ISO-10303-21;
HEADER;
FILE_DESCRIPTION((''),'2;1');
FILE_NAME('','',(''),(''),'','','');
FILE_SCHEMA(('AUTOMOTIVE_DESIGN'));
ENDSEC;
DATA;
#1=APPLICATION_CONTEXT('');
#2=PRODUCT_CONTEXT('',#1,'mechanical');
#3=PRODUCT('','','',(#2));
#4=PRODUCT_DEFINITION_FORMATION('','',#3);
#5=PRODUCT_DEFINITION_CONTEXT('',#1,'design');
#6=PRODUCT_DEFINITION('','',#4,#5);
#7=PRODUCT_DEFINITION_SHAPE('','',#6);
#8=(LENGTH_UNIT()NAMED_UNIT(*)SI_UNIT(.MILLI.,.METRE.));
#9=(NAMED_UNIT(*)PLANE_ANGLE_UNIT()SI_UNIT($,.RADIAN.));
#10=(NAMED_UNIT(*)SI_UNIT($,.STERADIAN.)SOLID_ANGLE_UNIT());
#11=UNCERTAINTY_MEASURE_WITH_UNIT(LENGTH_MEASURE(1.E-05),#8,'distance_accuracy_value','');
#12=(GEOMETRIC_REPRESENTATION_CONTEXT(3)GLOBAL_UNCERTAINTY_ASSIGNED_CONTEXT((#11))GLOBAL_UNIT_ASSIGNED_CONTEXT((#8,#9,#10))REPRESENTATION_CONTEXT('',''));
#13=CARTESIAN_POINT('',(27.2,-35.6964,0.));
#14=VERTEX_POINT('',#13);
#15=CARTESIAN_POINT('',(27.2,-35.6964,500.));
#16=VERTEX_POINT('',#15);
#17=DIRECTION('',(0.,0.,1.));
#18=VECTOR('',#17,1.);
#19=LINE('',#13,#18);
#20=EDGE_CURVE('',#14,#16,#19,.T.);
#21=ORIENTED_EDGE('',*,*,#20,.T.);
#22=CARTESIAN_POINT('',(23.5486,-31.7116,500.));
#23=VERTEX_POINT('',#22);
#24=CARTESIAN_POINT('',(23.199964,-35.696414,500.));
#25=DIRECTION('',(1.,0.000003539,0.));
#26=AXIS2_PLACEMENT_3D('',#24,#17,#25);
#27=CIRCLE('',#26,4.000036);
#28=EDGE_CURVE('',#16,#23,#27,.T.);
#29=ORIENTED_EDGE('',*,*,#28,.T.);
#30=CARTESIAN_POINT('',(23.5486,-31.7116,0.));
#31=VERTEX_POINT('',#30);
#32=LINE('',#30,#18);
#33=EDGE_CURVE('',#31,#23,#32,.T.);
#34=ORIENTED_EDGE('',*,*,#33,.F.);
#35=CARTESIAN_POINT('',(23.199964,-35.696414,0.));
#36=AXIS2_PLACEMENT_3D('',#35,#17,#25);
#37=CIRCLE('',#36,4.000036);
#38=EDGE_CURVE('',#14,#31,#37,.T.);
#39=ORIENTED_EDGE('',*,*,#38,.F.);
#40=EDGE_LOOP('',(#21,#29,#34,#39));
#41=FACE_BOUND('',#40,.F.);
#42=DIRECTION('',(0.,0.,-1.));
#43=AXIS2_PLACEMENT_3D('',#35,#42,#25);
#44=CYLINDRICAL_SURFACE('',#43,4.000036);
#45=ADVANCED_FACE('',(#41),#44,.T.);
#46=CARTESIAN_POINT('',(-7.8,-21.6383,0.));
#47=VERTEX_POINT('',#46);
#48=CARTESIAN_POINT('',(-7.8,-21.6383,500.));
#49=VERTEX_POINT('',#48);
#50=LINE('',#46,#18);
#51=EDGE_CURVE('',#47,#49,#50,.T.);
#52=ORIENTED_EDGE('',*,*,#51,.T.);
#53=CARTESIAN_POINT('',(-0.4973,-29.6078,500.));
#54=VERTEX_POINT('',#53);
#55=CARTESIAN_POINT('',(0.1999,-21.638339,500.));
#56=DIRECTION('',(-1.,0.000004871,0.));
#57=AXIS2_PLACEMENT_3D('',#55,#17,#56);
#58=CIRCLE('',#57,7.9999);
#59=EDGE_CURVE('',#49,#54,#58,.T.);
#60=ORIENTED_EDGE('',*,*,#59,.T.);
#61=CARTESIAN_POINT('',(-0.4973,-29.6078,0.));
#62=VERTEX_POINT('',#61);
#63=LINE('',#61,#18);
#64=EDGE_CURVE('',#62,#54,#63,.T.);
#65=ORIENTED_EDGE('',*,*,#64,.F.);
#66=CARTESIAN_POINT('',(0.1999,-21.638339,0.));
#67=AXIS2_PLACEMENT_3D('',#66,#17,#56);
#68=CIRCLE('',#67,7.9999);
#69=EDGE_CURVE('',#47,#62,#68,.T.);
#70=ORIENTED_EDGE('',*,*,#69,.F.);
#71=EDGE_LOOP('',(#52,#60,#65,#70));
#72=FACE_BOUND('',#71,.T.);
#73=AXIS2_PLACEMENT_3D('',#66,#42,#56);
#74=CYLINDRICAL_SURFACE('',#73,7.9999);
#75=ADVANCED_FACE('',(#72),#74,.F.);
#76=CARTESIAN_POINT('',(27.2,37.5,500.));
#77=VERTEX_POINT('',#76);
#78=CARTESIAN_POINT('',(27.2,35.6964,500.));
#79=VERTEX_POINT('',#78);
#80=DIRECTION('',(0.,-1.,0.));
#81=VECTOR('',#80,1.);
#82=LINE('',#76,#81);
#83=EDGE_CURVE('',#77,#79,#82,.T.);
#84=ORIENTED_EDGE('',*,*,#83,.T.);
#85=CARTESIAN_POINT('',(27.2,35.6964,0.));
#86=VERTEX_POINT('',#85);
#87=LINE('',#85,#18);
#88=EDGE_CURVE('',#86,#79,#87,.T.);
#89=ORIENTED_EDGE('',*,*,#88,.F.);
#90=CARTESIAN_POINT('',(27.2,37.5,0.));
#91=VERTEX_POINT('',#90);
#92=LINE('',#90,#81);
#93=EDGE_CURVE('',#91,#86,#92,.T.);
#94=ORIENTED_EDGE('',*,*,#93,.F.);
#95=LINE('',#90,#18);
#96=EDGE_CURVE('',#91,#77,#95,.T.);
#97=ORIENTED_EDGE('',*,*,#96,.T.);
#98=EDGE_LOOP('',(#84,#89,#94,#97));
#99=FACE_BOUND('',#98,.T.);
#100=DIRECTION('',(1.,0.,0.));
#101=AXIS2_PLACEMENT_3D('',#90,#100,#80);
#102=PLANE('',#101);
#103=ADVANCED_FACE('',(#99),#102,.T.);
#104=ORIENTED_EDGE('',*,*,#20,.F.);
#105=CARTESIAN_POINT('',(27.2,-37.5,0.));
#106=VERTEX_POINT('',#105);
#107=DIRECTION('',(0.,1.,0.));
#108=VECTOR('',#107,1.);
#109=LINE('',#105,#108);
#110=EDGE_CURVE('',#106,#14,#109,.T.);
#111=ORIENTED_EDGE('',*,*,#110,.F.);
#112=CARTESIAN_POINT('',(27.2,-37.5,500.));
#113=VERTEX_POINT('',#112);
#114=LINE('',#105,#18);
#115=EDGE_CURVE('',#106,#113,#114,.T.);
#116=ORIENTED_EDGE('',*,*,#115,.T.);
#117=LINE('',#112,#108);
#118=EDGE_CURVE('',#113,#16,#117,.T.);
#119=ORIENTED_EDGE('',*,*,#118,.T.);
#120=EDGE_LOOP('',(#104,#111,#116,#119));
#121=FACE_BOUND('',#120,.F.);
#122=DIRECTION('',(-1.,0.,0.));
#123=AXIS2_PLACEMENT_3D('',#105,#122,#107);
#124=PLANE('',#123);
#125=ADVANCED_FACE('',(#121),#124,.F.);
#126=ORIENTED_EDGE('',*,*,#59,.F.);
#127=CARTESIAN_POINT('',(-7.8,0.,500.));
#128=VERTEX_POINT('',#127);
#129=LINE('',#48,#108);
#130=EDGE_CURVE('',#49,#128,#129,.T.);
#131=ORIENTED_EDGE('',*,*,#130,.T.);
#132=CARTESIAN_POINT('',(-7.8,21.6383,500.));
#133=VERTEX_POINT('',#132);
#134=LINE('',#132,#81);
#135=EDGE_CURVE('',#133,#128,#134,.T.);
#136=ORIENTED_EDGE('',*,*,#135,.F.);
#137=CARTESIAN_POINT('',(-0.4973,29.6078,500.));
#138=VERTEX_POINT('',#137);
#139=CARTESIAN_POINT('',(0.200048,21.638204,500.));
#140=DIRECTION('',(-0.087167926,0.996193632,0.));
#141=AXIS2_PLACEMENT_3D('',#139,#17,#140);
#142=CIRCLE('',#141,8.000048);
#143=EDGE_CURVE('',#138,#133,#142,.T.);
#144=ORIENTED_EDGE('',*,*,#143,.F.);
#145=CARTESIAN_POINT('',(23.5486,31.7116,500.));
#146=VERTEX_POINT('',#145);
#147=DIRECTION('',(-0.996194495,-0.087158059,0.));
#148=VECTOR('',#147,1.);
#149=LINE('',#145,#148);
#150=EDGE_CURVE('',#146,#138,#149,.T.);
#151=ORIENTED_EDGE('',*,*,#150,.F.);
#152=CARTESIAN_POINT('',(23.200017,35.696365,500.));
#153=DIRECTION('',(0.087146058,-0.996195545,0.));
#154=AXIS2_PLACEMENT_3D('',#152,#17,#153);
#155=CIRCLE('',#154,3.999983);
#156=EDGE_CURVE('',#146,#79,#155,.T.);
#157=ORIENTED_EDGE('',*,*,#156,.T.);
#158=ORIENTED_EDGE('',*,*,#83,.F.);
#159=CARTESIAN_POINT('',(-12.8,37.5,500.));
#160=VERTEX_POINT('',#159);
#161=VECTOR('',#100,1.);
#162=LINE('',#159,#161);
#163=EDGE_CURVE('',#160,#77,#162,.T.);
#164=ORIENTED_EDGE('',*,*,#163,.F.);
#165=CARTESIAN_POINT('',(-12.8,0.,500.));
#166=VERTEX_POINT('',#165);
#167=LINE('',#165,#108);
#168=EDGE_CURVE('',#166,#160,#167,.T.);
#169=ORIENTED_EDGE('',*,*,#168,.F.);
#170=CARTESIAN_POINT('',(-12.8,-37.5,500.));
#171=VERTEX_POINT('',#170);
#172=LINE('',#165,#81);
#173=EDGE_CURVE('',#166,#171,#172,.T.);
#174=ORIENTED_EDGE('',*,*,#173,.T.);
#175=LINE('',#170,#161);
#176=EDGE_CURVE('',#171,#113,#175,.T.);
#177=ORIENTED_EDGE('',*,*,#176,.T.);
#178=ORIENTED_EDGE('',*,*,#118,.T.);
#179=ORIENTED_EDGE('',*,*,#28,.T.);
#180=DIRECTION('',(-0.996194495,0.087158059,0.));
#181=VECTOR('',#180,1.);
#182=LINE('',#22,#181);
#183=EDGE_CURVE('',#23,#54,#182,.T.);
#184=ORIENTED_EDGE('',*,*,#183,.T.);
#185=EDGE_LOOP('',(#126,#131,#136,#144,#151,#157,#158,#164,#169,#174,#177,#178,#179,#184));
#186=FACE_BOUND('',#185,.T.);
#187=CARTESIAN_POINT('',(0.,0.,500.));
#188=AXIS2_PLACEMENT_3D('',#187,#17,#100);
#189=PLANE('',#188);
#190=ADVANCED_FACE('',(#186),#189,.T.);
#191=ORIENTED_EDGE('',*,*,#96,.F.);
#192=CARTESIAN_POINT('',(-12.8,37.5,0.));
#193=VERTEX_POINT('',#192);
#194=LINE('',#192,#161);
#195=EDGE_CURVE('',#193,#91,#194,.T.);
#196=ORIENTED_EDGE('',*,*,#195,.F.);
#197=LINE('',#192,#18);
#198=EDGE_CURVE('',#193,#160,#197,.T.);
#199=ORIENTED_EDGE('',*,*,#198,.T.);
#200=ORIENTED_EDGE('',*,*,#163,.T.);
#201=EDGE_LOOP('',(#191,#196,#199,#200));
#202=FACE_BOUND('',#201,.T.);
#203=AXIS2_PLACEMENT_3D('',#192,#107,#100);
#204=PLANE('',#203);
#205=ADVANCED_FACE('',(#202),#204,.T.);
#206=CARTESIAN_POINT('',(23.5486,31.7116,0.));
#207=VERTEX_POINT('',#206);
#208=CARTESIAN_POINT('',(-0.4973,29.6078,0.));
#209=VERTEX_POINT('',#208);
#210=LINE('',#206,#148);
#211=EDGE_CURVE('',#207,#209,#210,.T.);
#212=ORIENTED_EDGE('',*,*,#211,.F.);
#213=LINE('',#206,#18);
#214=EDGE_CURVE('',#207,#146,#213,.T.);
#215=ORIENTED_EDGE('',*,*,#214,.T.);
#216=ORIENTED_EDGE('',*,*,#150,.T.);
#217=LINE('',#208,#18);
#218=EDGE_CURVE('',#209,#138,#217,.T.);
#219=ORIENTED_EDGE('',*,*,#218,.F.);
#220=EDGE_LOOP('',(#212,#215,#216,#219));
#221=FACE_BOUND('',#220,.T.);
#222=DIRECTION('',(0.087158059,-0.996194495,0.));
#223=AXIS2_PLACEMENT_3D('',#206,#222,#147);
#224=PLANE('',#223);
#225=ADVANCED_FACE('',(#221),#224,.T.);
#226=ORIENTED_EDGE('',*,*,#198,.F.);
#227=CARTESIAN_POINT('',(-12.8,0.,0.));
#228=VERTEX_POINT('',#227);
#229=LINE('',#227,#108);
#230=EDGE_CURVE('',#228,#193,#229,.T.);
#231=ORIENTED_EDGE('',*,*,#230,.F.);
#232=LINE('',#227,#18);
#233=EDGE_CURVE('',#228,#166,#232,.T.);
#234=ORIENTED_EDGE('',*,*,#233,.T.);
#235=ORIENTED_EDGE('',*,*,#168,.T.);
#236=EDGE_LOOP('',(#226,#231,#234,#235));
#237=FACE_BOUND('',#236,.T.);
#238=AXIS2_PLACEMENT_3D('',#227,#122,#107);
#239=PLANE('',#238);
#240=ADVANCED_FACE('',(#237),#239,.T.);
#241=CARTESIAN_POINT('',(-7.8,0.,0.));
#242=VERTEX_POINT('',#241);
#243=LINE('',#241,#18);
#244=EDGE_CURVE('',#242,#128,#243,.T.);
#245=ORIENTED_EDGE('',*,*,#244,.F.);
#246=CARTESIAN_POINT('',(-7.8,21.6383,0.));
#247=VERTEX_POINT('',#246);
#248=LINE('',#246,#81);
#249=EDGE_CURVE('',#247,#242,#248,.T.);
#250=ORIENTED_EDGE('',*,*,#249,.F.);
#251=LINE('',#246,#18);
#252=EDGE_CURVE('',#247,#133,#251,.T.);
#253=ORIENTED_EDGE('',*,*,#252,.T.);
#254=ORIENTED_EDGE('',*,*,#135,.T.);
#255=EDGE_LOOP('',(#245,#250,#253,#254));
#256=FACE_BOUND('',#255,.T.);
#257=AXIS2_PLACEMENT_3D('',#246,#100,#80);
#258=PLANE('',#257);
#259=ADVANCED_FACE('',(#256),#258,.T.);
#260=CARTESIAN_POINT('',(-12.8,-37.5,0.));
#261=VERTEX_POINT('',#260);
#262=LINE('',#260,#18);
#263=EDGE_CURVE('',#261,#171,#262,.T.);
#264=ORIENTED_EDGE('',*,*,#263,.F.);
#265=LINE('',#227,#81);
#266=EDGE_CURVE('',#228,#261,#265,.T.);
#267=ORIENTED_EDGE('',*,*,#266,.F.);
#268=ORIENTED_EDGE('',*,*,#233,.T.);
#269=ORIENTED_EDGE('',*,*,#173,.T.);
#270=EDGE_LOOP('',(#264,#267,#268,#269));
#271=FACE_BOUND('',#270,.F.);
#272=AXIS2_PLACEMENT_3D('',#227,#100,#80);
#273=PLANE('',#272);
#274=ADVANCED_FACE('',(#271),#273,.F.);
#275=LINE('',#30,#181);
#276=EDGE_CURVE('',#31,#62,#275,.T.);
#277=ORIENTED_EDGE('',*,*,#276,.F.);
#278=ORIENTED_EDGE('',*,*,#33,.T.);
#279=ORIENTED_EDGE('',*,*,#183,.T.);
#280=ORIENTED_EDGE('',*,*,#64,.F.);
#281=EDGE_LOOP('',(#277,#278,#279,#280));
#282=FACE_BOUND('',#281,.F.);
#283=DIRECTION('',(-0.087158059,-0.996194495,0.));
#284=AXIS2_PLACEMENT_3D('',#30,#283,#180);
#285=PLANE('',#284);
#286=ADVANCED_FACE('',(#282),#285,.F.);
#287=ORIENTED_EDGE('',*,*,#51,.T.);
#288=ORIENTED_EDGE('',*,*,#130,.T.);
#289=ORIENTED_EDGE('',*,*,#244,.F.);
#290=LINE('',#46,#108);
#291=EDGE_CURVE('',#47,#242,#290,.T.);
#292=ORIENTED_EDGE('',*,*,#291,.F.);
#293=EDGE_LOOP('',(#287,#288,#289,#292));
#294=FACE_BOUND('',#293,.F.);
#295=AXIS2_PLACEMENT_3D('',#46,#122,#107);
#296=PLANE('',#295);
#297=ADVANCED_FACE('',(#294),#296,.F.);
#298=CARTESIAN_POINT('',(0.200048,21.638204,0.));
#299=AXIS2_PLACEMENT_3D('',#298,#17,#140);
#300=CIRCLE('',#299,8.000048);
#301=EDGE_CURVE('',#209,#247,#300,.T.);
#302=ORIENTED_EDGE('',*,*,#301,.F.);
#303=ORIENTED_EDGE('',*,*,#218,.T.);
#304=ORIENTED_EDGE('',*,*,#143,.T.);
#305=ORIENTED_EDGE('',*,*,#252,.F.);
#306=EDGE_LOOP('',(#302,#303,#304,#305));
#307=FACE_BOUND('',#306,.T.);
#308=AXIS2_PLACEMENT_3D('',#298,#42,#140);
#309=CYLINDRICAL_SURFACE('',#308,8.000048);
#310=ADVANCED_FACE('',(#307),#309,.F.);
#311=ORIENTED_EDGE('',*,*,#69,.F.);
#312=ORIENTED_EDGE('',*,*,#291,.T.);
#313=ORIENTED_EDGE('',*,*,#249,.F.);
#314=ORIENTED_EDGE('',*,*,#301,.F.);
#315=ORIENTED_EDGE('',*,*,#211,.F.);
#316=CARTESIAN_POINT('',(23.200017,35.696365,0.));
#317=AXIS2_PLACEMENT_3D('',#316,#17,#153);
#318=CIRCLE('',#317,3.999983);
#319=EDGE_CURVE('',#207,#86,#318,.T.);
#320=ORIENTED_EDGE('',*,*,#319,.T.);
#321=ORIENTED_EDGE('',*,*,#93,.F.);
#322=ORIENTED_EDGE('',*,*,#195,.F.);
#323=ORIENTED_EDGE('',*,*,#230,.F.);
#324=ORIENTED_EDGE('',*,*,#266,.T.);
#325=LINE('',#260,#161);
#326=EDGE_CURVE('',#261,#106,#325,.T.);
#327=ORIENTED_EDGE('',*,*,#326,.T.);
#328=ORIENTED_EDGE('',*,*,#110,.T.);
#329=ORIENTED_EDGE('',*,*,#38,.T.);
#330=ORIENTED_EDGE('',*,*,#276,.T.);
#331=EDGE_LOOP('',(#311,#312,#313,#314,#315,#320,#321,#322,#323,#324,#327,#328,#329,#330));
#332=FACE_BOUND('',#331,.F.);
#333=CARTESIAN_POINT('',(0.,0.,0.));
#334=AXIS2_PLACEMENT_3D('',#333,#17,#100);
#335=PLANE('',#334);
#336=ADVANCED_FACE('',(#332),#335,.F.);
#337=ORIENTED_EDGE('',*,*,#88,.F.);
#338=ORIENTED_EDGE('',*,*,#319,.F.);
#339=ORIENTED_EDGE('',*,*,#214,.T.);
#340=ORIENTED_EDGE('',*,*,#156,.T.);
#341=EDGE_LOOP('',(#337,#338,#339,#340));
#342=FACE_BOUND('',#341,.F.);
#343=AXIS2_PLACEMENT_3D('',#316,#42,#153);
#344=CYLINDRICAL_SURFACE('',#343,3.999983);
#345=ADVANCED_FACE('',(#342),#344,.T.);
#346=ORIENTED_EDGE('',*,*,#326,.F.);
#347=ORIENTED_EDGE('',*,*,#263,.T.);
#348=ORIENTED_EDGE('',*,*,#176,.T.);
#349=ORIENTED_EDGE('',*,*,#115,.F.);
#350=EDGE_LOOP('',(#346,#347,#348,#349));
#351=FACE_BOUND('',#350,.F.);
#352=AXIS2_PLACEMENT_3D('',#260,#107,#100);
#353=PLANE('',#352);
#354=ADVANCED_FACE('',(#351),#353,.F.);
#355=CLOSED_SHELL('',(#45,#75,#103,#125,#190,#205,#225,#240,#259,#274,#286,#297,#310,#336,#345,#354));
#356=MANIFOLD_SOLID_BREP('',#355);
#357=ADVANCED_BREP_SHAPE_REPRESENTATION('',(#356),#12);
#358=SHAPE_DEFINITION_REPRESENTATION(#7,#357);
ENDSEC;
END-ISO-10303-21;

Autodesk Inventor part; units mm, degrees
ref_plane "YZ Plane" through (0, 0, 0) normal (1, 0, 0) x (0, 1, 0)
ref_plane "開始平面" through (0, 0, 0) normal (0, 0, 1) x (1, 0, 0)
ref_plane "終了平面" through (0, 0, 500) normal (0, 0, 1) x (1, 0, 0)
sketch "スケッチ" plane through (0, 0, 0) normal (0, 0, 1) x (1, 0, 0)
  line L0 (-12.8, 0) -> (-12.8, 37.5)
  line L1 (-12.8, 37.5) -> (27.2, 37.5)
  line L2 (27.2, 37.5) -> (27.2, 35.6964)
  line L3 (23.5486, 31.7116) -> (-0.4973, 29.6078)
  line L4 (-7.8, 21.6383) -> (-7.8, 0)
  line L5 (-7.8, 0) -> (-12.8, 0) construction
  line L6 (9.7, 37.5) -> (9.7, 30.5) construction
  line L7 (27.2, 32.0311) -> (27.2, 30.5) construction
  line L8 (27.2, 30.5) -> (9.7, 30.5) construction
  line L9 (0, 15) -> (0, -27) construction
  line L10 (-5.539, 0) -> (16.0067, 0) construction
  line L11 (-12.8, 0) -> (-12.8, -37.5)
  line L12 (-12.8, -37.5) -> (27.2, -37.5)
  line L13 (27.2, -37.5) -> (27.2, -35.6964)
  line L14 (23.5486, -31.7116) -> (-0.4973, -29.6078)
  line L15 (-7.8, -21.6383) -> (-7.8, 0)
  arc A0 (-0.4973, 29.6078) -> (-7.8, 21.6383) centre (0.2, 21.6383) ccw
  arc A1 (-7.8, -21.6383) -> (-0.4973, -29.6078) centre (0.2, -21.6383) ccw
  arc A2 (23.5486, 31.7116) -> (27.2, 35.6964) centre (23.2, 35.6964) ccw
  arc A3 (27.2, -35.6964) -> (23.5486, -31.7116) centre (23.2, -35.6964) ccw
  line L16 (0, 52.5) -> (0, -52.5) construction
  line L17 (-20.955, 0) -> (36.1298, 0) construction
  point P0 (-7.8, 28.9689)
  point P1 (27.2, -32.0311)
  point P2 (-7.8, -28.9689)
  point P3 (9.7, -37.5)
  point P4 (9.7, -30.5)
  dimension "d0" = 5
  dimension "d1" = 37.5
  dimension "d2" = 40
  dimension "d3" = 7
  dimension "d4" = 17.5
  dimension "d5" = 1.5311
  dimension "d23" = 8
  dimension "d24" = 4
  dimension "d25" = 12.8
extrude "ボディ" add sketch "スケッチ" along normal up to surface (500 mm away) from surface at 0
sketch "Sketch3" plane through (0, 0, 0) normal (0, 0, 1) x (1, 0, 0)
  line L0 (0, 0) -> (10, 0)
ref_plane "Work Plane3" through (0, 0, 0) normal (0, -1, 0) x (1, 0, 0)
sketch "Sketch4" plane through (0, 0, 0) normal (0, -1, 0) x (1, 0, 0)
  line L0 (-2, 0) -> (12, 0)
  line L1 (-2, 500) -> (12, 500)
  dimension "d29" = 500
equation "\"d0\" = G_T"
equation "\"d1\" = 0.5 * G_H"
equation "\"d2\" = G_W"
equation "\"d3\" = G_T1"
equation "\"d4\" = G_C"
equation "\"d23\" = G_IR"
equation "\"d24\" = G_ER"
equation "\"d25\" = ey"
equation "\"d6\" = G_L"
equation "\"G_W\" = 40"
equation "\"G_H\" = 75"
equation "\"G_T\" = 5"
equation "\"G_T1\" = 7"
equation "\"G_NG\" = 0.08749"
equation "\"G_ER\" = 4"
equation "\"G_IR\" = 8"
equation "\"G_C\" = 17.5"
equation "\"G_L\" = d29"
equation "\"ey\" = 12.8"
equation "\"G_OFFSET_START\" = 0"
equation "\"G_OFFSET_END\" = 0"
properties part number "JIS G 3192 - 75 x 40 x 5 - 500" material "SS400"
